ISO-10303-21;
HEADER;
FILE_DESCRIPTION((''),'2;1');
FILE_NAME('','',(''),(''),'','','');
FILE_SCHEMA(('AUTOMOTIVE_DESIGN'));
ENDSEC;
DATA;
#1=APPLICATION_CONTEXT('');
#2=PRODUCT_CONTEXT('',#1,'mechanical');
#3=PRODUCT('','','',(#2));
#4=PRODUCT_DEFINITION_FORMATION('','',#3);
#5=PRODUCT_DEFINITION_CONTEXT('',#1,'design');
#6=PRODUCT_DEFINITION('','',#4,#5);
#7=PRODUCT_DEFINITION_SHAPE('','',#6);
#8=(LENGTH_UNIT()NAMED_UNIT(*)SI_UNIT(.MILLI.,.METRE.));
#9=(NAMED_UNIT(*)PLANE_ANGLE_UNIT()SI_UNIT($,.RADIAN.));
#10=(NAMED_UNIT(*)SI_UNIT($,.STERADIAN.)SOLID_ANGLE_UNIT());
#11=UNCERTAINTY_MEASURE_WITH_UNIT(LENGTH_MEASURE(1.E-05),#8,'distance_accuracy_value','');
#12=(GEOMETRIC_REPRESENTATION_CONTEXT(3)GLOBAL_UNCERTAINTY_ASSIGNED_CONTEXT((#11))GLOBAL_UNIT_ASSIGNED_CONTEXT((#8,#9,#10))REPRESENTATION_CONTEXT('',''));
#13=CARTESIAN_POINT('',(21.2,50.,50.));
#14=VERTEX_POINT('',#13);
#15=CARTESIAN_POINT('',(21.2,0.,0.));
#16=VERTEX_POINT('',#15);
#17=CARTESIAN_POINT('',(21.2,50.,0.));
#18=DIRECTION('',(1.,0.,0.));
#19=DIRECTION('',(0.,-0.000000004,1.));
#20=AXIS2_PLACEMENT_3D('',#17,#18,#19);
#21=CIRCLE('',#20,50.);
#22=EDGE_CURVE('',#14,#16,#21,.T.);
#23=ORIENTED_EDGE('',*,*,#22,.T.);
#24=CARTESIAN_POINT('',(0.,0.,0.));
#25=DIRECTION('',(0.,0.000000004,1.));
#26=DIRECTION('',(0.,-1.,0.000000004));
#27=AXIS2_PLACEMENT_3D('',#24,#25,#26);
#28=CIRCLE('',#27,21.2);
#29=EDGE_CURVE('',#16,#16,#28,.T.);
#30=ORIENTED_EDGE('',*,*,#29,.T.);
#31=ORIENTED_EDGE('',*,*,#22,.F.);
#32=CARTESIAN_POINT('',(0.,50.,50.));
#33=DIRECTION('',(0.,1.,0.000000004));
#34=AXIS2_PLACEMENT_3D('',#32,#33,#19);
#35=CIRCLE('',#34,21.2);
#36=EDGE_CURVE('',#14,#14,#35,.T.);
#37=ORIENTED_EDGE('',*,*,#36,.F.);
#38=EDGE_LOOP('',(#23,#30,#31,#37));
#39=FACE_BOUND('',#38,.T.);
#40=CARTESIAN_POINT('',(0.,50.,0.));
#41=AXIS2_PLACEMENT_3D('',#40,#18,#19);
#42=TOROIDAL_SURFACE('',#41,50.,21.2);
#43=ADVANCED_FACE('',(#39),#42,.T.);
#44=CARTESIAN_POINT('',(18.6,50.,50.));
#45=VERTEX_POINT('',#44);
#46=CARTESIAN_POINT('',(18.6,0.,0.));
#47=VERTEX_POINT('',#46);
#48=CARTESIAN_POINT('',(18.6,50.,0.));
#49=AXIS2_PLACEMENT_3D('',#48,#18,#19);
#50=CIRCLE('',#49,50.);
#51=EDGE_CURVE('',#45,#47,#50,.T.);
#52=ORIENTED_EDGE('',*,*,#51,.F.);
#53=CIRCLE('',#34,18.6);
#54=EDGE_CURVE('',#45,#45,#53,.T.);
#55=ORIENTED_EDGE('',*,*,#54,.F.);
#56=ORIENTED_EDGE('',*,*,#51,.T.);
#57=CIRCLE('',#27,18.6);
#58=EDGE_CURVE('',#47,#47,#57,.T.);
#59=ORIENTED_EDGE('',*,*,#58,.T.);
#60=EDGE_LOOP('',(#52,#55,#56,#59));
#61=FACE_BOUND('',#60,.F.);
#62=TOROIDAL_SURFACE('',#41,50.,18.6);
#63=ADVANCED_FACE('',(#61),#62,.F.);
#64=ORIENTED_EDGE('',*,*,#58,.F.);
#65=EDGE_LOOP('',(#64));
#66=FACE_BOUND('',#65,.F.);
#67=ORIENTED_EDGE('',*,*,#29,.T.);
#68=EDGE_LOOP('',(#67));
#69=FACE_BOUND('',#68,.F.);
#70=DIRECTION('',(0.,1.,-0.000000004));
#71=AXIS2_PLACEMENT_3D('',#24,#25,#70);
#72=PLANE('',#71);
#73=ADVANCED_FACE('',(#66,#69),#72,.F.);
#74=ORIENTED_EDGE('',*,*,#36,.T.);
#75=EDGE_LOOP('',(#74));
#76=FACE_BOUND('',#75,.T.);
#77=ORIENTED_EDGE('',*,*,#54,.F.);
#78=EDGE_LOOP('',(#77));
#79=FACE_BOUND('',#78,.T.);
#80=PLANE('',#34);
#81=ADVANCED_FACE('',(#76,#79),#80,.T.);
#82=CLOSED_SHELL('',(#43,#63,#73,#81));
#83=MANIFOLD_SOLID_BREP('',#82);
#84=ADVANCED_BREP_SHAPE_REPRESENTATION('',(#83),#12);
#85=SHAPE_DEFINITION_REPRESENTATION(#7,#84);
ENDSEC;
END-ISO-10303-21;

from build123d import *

# Parameters (mm, degrees)
F1_R   = 21.2
F1_R_2 = 18.6


with BuildPart() as f2:
    # F2: sweep along a path in F0
    with BuildLine(Plane.YZ) as f2_path:
        ThreePointArc((50, 50), (14.644661, 35.355339), (0, 0))
    # F1 (on Top) → F2 (sweep)
    with BuildSketch(Plane.XY):
        Circle(F1_R)
        Circle(F1_R_2, mode=Mode.SUBTRACT)
    sweep(path=f2_path.line)


solid = f2.part
